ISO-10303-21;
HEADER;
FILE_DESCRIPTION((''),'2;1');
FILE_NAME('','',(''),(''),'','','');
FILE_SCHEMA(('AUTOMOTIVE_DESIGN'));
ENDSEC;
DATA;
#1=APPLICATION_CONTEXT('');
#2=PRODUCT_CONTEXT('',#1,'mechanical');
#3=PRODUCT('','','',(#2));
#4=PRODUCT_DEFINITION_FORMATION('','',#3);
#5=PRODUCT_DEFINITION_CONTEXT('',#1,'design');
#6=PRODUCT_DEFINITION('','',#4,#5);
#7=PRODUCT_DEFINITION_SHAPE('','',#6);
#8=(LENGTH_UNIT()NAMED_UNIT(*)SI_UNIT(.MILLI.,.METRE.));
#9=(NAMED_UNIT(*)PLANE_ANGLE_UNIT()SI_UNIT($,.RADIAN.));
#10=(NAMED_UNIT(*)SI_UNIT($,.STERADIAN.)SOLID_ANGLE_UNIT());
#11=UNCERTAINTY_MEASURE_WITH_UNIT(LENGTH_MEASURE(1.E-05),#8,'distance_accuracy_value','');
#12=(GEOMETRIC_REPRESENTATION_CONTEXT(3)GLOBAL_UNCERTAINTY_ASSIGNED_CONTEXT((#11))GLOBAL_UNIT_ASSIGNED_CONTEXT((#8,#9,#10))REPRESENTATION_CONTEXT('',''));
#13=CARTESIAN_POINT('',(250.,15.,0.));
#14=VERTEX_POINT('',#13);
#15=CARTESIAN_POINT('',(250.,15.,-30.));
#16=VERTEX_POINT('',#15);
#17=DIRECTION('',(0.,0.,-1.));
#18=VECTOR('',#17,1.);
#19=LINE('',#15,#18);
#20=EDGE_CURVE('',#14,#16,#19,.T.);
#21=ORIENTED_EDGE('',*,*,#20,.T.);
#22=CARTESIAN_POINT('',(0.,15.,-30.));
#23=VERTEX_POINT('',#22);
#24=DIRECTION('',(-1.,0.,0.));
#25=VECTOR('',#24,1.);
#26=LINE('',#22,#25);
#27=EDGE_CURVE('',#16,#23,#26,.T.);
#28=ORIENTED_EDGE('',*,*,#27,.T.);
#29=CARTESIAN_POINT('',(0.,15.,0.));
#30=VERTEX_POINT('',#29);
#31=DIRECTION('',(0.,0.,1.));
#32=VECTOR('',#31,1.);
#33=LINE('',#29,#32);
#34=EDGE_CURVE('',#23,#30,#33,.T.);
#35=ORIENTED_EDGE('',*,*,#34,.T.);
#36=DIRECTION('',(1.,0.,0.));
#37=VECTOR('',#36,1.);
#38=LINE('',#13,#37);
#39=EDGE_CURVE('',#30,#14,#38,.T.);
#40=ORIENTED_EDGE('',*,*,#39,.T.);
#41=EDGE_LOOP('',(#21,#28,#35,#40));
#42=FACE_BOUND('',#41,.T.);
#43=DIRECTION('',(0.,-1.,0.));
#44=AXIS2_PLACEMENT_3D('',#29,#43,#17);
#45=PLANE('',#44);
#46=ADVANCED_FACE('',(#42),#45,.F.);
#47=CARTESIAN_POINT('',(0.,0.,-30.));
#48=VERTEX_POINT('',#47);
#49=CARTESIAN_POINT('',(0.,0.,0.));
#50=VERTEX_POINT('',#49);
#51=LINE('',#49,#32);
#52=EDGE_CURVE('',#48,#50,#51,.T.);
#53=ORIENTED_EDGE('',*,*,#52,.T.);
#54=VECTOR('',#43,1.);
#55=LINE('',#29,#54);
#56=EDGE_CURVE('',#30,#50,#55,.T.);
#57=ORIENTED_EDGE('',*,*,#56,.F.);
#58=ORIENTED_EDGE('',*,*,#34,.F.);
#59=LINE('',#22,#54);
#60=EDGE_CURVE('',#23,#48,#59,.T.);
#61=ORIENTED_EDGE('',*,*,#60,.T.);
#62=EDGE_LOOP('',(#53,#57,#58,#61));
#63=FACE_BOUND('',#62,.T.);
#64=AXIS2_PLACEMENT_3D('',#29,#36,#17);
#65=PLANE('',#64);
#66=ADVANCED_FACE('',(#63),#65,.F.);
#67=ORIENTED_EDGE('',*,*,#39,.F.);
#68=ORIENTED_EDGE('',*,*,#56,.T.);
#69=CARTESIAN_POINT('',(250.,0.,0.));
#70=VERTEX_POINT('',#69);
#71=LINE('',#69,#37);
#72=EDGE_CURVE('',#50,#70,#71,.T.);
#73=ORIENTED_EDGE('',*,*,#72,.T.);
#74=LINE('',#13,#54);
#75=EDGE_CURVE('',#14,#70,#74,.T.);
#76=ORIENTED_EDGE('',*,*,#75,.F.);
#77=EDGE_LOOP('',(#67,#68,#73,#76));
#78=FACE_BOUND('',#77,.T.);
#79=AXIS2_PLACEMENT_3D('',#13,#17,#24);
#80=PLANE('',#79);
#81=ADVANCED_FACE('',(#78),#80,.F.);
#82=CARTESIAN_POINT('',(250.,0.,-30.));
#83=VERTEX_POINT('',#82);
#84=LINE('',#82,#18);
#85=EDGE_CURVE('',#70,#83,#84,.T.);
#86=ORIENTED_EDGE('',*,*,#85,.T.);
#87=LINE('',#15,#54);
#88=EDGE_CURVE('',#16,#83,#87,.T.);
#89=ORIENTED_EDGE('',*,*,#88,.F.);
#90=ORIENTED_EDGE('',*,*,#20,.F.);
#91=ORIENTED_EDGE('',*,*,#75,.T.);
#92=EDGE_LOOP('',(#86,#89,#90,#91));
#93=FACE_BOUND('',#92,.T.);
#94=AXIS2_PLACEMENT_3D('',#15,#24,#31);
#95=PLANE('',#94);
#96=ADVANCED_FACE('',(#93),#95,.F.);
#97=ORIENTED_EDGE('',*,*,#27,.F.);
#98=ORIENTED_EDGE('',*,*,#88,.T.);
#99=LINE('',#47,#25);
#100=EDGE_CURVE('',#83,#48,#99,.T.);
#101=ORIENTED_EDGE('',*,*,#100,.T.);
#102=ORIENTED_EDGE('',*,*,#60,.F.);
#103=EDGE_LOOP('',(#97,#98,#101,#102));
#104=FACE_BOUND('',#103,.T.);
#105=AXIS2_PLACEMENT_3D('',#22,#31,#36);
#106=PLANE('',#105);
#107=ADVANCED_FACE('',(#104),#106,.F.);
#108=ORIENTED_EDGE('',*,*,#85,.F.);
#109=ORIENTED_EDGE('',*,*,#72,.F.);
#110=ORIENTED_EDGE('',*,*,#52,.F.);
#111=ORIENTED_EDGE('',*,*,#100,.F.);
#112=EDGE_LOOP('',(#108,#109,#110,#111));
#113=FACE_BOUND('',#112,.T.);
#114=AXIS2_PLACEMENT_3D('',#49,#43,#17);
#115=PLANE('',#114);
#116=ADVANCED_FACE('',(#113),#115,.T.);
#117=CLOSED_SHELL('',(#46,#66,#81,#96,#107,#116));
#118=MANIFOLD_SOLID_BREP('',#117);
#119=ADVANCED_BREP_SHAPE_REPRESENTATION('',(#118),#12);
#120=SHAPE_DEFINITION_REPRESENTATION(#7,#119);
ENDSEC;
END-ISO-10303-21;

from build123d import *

# Parameters (mm, degrees)
SKETCH_1_W      = 250
SKETCH_1_H      = 30
EXTRUDE_1_DEPTH = 15


with BuildPart() as part:
    # Эскиз1 → Бобышка-Вытянуть1 (new body)
    with BuildSketch(Plane(origin=(0, 0, 0), x_dir=(1, 0, 0), z_dir=(0, 1, 0))):
        with Locations((125, 15)):
            Rectangle(SKETCH_1_W, SKETCH_1_H)
    extrude(amount=EXTRUDE_1_DEPTH)


solid = part.part
